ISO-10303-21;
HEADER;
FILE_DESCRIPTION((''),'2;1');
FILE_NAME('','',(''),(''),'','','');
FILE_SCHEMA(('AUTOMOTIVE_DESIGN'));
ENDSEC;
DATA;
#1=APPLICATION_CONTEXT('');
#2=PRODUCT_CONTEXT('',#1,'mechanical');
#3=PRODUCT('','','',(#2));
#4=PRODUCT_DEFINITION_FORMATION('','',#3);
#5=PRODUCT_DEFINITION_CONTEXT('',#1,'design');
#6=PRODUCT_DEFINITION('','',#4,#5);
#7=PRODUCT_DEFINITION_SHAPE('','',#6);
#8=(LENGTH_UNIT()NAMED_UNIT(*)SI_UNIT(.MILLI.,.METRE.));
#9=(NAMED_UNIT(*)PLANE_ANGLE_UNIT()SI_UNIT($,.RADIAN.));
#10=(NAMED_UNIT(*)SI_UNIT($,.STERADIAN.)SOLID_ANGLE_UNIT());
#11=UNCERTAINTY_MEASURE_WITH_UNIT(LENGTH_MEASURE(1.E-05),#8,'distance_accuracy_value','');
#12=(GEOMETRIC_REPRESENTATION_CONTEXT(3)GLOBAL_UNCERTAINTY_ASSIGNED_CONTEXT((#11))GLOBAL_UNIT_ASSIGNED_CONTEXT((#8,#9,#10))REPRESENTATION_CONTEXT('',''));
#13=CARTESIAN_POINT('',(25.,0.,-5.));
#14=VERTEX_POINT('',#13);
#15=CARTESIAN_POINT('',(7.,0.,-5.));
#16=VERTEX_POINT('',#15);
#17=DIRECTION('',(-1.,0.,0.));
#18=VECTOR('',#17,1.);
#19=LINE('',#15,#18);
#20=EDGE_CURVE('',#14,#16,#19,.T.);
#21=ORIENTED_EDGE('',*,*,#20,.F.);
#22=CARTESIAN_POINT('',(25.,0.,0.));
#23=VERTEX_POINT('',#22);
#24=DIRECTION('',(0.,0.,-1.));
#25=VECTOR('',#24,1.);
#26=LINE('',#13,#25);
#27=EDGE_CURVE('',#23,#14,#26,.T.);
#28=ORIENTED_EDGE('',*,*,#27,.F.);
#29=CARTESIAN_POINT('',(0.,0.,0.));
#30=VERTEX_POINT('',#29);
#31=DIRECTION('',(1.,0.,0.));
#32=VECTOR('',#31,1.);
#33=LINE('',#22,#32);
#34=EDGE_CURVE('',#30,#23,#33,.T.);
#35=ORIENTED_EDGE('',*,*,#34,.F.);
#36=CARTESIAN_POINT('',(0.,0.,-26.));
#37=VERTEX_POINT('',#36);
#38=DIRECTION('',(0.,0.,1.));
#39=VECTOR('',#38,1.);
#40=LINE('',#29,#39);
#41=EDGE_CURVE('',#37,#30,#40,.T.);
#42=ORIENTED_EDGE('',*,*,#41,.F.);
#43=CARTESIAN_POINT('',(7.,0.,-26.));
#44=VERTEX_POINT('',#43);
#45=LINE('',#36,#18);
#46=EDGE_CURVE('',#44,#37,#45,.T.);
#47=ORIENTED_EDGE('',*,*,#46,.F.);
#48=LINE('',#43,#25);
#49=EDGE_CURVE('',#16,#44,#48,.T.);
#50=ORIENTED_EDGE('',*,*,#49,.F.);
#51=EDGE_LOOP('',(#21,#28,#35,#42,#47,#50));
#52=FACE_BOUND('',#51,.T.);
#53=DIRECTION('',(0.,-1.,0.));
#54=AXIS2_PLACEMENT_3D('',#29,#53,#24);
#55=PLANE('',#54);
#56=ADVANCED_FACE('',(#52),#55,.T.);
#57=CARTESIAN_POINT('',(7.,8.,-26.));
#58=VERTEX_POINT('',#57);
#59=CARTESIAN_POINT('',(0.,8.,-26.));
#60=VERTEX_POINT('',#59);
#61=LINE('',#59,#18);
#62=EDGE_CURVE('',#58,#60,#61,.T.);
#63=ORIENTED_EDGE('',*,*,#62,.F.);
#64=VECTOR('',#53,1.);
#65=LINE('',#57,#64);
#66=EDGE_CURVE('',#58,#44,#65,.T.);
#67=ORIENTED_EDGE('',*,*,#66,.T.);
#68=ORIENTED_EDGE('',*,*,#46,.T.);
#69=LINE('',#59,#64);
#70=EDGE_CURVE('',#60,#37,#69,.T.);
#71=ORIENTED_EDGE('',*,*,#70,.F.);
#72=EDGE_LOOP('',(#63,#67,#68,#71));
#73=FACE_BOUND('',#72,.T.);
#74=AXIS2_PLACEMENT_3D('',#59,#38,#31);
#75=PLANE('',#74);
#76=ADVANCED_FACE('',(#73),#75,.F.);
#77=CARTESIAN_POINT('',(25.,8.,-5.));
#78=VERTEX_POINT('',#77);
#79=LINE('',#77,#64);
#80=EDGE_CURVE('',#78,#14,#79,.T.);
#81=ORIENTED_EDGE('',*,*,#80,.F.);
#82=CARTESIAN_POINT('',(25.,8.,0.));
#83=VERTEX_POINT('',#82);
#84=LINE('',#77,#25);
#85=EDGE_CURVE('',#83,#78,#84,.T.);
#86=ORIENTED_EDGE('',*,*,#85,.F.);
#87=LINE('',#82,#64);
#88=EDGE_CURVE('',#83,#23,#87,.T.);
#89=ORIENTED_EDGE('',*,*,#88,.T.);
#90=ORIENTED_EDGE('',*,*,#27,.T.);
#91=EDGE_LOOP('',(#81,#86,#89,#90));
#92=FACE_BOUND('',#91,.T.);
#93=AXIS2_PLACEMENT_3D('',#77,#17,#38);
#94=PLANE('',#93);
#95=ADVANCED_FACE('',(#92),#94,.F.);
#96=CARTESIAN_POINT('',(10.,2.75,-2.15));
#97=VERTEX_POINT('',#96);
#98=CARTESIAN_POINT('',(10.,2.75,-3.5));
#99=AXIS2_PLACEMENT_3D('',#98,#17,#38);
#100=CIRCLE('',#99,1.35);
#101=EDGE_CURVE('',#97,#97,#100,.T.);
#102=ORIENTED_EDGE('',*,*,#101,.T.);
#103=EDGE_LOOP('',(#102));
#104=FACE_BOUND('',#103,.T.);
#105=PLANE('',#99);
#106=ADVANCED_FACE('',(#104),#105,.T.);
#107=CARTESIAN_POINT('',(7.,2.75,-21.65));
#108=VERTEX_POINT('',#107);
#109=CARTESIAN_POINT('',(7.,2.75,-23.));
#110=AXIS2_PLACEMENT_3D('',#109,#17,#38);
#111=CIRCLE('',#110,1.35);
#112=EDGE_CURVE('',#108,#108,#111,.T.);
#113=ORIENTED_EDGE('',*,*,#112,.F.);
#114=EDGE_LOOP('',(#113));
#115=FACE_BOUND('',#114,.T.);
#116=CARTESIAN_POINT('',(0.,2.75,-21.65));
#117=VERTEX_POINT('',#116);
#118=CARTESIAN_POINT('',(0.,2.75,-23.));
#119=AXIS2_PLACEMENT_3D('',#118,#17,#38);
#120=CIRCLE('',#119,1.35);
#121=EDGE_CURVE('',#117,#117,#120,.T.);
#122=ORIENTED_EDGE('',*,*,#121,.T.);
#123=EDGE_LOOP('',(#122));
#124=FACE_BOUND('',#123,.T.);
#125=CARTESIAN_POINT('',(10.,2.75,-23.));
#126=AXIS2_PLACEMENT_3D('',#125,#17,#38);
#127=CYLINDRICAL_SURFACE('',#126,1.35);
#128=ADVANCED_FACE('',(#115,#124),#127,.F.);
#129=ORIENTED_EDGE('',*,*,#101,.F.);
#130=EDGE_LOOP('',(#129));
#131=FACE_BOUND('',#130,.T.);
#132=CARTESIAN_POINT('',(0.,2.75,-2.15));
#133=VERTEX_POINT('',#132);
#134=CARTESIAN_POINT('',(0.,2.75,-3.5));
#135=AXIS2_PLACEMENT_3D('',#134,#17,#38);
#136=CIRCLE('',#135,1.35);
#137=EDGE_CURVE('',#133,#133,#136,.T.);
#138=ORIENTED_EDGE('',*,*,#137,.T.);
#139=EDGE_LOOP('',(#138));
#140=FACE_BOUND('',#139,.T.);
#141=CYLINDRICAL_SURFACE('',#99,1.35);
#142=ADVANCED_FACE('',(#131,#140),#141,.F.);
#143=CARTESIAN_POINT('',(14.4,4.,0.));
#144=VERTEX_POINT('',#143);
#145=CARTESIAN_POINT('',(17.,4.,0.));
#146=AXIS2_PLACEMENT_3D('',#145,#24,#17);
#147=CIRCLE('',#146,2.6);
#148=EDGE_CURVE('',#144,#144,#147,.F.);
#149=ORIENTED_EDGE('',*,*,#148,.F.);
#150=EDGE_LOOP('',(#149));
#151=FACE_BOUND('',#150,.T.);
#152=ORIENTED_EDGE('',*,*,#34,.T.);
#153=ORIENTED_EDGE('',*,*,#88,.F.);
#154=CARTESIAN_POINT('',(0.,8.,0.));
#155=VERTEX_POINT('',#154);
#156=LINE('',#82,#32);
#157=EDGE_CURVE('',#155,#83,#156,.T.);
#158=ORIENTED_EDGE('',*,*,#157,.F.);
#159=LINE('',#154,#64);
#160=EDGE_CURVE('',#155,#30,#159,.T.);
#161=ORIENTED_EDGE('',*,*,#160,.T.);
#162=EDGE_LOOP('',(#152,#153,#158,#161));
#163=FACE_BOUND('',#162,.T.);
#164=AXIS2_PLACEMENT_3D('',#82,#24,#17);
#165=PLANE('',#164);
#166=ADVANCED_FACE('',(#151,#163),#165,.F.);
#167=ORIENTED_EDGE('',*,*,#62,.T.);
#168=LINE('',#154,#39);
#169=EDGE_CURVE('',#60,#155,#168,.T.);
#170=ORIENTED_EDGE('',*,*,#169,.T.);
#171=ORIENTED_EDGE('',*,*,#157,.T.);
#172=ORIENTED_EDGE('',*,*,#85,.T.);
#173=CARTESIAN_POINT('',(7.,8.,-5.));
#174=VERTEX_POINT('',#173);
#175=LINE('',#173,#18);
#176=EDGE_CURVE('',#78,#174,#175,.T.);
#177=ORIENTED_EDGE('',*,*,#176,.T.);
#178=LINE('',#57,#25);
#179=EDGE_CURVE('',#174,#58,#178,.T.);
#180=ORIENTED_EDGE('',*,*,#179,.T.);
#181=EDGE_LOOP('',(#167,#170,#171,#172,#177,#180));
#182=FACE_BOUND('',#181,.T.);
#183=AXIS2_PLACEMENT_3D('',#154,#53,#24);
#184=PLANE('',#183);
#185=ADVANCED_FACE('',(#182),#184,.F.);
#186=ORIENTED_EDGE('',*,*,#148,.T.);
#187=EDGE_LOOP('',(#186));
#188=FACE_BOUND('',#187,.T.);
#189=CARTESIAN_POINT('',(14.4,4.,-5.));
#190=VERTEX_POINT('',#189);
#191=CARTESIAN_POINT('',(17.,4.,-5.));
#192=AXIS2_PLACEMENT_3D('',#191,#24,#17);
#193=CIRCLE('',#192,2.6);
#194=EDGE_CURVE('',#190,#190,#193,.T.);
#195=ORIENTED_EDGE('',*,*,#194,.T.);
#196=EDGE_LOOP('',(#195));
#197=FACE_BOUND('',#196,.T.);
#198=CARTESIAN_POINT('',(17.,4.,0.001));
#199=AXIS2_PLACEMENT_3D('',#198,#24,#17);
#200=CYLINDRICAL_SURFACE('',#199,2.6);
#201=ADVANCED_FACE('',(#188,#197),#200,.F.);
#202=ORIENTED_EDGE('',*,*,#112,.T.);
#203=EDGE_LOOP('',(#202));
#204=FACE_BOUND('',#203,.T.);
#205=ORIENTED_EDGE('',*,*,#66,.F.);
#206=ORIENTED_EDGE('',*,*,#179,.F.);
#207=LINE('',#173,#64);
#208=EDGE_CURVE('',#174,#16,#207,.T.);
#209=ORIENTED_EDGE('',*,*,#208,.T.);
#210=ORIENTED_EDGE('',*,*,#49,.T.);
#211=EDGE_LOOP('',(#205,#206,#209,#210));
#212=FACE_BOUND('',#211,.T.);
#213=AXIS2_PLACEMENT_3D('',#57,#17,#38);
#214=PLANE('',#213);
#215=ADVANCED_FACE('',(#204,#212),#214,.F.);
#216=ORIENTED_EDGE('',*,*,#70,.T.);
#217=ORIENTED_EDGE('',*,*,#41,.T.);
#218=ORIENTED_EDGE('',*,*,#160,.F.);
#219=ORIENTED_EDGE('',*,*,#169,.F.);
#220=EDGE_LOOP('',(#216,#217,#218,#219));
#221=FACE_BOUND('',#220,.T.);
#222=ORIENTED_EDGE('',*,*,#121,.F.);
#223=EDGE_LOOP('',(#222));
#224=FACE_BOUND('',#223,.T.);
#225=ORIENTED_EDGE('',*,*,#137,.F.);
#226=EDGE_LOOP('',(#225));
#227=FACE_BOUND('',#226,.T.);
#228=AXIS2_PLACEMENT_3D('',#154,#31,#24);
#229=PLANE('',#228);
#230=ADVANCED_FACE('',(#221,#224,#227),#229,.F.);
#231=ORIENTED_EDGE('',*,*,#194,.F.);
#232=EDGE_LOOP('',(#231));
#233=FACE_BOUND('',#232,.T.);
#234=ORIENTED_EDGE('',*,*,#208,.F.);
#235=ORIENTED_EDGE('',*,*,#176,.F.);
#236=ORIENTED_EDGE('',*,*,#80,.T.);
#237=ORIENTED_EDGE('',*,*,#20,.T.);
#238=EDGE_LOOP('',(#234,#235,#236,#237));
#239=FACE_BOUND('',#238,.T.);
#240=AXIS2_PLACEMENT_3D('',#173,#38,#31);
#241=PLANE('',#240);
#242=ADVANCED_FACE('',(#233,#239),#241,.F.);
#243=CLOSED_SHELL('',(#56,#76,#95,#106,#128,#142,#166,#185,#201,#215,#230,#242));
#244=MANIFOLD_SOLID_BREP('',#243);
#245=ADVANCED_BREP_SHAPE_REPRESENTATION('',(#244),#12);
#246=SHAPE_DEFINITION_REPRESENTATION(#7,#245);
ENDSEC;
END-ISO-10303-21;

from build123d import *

# Parameters (mm, degrees)
BOSS_EXTRUDE1_DEPTH = 8
SKETCH2_R           = 1.35
CUT_EXTRUDE1_DEPTH  = 10
CUT_EXTRUDE2_REACH  = 7
SKETCH4_R           = 2.6


with BuildPart() as part:
    # Sketch1 → Boss-Extrude1 (new body)
    with BuildSketch(Plane(origin=(0, 0, 0), x_dir=(1, 0, 0), z_dir=(0, 1, 0))):
        Polygon((0, 0), (0, 26), (7, 26), (7, 5), (25, 5), (25, 0), align=None)
    extrude(amount=BOSS_EXTRUDE1_DEPTH)

    # Sketch2 → Cut-Extrude1 (cut)
    with BuildSketch(Plane.ZY):
        with Locations((-23, 2.75)):
            Circle(SKETCH2_R)
        with Locations((-3.5, 2.75)):
            Circle(SKETCH2_R)
    extrude(amount=-CUT_EXTRUDE1_DEPTH, mode=Mode.SUBTRACT)

    # Sketch4 → Cut-Extrude2 (cut, up to next)
    with BuildSketch(Plane(origin=(0, 0, -5), x_dir=(-1, 0, 0), z_dir=(0, 0, -1)), mode=Mode.PRIVATE) as cut_extrude2_sk1:
        with Locations((-17, 4)):
            Circle(SKETCH4_R)
    cut_extrude2_tool1 = extrude(cut_extrude2_sk1.sketch, amount=-CUT_EXTRUDE2_REACH, mode=Mode.PRIVATE) & part.part
    add(cut_extrude2_tool1.solids().sort_by_distance((17, 4, -5))[0], mode=Mode.SUBTRACT)


solid = part.part
